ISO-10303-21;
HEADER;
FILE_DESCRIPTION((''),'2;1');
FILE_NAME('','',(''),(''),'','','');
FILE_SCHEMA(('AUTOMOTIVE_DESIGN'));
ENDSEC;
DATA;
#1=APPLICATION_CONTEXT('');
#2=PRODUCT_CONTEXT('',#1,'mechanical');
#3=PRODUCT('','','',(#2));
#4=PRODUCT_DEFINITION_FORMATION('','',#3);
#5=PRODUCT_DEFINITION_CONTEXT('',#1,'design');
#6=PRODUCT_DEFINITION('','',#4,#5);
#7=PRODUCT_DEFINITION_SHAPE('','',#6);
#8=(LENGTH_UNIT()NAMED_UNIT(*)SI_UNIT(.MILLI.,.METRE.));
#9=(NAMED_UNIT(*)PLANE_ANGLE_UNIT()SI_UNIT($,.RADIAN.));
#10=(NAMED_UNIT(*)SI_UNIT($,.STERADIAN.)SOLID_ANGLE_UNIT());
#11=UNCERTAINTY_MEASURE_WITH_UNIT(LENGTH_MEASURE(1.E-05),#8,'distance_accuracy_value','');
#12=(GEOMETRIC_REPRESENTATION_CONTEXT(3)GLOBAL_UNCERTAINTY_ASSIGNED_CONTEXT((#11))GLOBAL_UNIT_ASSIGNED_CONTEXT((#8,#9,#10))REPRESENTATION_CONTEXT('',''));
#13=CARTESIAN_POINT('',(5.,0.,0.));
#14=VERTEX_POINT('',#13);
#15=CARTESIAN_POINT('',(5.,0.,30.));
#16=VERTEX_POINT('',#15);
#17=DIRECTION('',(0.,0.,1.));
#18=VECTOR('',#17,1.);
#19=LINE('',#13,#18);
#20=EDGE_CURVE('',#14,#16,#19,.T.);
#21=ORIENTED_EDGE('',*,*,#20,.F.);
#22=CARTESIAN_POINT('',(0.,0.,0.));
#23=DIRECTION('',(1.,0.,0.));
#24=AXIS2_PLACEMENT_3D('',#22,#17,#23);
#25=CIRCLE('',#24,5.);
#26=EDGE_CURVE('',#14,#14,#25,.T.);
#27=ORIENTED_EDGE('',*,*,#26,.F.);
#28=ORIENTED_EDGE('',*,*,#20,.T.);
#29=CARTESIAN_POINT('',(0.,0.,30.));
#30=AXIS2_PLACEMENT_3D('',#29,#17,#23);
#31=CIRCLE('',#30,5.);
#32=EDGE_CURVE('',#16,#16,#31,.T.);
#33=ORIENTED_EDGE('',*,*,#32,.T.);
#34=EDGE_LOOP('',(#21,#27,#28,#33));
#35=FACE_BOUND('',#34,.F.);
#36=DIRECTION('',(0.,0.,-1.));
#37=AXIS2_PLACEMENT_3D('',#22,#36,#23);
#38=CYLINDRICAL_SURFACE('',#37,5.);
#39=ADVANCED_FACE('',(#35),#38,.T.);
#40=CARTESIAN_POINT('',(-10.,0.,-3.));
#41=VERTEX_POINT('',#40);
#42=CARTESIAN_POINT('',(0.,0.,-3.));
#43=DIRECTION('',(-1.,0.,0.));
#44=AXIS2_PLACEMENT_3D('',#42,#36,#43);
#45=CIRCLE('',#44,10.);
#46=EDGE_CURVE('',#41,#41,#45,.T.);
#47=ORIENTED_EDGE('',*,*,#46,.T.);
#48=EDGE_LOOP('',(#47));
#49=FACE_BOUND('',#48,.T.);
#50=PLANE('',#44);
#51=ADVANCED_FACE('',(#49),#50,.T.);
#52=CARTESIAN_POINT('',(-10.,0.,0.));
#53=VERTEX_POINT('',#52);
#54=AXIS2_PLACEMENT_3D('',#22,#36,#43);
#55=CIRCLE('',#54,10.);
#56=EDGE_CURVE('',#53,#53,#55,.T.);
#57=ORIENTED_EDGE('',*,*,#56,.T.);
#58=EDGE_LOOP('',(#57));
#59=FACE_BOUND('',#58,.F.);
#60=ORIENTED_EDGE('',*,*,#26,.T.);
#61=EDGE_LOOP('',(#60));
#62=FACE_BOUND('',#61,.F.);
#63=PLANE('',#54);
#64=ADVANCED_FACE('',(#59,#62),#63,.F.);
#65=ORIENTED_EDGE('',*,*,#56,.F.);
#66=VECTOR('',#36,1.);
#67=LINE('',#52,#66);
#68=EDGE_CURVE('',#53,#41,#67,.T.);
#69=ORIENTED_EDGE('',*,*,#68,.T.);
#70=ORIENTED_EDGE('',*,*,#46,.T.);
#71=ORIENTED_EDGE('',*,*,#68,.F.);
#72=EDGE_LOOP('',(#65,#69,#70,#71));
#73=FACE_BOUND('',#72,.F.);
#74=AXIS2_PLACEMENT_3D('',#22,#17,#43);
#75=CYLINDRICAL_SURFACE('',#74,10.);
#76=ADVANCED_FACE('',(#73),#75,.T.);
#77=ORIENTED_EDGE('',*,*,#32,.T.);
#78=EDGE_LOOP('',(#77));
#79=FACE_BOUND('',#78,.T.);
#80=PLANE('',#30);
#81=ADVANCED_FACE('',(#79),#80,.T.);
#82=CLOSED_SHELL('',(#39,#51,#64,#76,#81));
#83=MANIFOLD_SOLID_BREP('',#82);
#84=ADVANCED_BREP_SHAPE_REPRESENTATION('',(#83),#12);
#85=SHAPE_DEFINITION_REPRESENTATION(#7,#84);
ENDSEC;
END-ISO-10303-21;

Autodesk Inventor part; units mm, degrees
ref_plane "YZ Plane" through (0, 0, 0) normal (1, 0, 0) x (0, 1, 0)
ref_plane "XZ Plane" through (0, 0, 0) normal (0, 1, 0) x (-1, 0, 0)
ref_plane "XY Plane" through (0, 0, 0) normal (0, 0, 1) x (1, 0, 0)
sketch "Esboço1" plane through (0, 0, 0) normal (0, 0, 1) x (1, 0, 0)
  circle A0 centre (0, 0) radius 5
  dimension "d0" = 10
extrude "Extrusão1" add sketch "Esboço1" along normal blind 30
sketch "Esboço2" plane through (0, 0, 0) normal (0, 0, -1) x (-1, 0, 0)
  circle A0 centre (0, 0) radius 10
  dimension "d3" = 20
extrude "Extrusão2" add sketch "Esboço2" along normal blind 3
properties part number "sup frontal"
